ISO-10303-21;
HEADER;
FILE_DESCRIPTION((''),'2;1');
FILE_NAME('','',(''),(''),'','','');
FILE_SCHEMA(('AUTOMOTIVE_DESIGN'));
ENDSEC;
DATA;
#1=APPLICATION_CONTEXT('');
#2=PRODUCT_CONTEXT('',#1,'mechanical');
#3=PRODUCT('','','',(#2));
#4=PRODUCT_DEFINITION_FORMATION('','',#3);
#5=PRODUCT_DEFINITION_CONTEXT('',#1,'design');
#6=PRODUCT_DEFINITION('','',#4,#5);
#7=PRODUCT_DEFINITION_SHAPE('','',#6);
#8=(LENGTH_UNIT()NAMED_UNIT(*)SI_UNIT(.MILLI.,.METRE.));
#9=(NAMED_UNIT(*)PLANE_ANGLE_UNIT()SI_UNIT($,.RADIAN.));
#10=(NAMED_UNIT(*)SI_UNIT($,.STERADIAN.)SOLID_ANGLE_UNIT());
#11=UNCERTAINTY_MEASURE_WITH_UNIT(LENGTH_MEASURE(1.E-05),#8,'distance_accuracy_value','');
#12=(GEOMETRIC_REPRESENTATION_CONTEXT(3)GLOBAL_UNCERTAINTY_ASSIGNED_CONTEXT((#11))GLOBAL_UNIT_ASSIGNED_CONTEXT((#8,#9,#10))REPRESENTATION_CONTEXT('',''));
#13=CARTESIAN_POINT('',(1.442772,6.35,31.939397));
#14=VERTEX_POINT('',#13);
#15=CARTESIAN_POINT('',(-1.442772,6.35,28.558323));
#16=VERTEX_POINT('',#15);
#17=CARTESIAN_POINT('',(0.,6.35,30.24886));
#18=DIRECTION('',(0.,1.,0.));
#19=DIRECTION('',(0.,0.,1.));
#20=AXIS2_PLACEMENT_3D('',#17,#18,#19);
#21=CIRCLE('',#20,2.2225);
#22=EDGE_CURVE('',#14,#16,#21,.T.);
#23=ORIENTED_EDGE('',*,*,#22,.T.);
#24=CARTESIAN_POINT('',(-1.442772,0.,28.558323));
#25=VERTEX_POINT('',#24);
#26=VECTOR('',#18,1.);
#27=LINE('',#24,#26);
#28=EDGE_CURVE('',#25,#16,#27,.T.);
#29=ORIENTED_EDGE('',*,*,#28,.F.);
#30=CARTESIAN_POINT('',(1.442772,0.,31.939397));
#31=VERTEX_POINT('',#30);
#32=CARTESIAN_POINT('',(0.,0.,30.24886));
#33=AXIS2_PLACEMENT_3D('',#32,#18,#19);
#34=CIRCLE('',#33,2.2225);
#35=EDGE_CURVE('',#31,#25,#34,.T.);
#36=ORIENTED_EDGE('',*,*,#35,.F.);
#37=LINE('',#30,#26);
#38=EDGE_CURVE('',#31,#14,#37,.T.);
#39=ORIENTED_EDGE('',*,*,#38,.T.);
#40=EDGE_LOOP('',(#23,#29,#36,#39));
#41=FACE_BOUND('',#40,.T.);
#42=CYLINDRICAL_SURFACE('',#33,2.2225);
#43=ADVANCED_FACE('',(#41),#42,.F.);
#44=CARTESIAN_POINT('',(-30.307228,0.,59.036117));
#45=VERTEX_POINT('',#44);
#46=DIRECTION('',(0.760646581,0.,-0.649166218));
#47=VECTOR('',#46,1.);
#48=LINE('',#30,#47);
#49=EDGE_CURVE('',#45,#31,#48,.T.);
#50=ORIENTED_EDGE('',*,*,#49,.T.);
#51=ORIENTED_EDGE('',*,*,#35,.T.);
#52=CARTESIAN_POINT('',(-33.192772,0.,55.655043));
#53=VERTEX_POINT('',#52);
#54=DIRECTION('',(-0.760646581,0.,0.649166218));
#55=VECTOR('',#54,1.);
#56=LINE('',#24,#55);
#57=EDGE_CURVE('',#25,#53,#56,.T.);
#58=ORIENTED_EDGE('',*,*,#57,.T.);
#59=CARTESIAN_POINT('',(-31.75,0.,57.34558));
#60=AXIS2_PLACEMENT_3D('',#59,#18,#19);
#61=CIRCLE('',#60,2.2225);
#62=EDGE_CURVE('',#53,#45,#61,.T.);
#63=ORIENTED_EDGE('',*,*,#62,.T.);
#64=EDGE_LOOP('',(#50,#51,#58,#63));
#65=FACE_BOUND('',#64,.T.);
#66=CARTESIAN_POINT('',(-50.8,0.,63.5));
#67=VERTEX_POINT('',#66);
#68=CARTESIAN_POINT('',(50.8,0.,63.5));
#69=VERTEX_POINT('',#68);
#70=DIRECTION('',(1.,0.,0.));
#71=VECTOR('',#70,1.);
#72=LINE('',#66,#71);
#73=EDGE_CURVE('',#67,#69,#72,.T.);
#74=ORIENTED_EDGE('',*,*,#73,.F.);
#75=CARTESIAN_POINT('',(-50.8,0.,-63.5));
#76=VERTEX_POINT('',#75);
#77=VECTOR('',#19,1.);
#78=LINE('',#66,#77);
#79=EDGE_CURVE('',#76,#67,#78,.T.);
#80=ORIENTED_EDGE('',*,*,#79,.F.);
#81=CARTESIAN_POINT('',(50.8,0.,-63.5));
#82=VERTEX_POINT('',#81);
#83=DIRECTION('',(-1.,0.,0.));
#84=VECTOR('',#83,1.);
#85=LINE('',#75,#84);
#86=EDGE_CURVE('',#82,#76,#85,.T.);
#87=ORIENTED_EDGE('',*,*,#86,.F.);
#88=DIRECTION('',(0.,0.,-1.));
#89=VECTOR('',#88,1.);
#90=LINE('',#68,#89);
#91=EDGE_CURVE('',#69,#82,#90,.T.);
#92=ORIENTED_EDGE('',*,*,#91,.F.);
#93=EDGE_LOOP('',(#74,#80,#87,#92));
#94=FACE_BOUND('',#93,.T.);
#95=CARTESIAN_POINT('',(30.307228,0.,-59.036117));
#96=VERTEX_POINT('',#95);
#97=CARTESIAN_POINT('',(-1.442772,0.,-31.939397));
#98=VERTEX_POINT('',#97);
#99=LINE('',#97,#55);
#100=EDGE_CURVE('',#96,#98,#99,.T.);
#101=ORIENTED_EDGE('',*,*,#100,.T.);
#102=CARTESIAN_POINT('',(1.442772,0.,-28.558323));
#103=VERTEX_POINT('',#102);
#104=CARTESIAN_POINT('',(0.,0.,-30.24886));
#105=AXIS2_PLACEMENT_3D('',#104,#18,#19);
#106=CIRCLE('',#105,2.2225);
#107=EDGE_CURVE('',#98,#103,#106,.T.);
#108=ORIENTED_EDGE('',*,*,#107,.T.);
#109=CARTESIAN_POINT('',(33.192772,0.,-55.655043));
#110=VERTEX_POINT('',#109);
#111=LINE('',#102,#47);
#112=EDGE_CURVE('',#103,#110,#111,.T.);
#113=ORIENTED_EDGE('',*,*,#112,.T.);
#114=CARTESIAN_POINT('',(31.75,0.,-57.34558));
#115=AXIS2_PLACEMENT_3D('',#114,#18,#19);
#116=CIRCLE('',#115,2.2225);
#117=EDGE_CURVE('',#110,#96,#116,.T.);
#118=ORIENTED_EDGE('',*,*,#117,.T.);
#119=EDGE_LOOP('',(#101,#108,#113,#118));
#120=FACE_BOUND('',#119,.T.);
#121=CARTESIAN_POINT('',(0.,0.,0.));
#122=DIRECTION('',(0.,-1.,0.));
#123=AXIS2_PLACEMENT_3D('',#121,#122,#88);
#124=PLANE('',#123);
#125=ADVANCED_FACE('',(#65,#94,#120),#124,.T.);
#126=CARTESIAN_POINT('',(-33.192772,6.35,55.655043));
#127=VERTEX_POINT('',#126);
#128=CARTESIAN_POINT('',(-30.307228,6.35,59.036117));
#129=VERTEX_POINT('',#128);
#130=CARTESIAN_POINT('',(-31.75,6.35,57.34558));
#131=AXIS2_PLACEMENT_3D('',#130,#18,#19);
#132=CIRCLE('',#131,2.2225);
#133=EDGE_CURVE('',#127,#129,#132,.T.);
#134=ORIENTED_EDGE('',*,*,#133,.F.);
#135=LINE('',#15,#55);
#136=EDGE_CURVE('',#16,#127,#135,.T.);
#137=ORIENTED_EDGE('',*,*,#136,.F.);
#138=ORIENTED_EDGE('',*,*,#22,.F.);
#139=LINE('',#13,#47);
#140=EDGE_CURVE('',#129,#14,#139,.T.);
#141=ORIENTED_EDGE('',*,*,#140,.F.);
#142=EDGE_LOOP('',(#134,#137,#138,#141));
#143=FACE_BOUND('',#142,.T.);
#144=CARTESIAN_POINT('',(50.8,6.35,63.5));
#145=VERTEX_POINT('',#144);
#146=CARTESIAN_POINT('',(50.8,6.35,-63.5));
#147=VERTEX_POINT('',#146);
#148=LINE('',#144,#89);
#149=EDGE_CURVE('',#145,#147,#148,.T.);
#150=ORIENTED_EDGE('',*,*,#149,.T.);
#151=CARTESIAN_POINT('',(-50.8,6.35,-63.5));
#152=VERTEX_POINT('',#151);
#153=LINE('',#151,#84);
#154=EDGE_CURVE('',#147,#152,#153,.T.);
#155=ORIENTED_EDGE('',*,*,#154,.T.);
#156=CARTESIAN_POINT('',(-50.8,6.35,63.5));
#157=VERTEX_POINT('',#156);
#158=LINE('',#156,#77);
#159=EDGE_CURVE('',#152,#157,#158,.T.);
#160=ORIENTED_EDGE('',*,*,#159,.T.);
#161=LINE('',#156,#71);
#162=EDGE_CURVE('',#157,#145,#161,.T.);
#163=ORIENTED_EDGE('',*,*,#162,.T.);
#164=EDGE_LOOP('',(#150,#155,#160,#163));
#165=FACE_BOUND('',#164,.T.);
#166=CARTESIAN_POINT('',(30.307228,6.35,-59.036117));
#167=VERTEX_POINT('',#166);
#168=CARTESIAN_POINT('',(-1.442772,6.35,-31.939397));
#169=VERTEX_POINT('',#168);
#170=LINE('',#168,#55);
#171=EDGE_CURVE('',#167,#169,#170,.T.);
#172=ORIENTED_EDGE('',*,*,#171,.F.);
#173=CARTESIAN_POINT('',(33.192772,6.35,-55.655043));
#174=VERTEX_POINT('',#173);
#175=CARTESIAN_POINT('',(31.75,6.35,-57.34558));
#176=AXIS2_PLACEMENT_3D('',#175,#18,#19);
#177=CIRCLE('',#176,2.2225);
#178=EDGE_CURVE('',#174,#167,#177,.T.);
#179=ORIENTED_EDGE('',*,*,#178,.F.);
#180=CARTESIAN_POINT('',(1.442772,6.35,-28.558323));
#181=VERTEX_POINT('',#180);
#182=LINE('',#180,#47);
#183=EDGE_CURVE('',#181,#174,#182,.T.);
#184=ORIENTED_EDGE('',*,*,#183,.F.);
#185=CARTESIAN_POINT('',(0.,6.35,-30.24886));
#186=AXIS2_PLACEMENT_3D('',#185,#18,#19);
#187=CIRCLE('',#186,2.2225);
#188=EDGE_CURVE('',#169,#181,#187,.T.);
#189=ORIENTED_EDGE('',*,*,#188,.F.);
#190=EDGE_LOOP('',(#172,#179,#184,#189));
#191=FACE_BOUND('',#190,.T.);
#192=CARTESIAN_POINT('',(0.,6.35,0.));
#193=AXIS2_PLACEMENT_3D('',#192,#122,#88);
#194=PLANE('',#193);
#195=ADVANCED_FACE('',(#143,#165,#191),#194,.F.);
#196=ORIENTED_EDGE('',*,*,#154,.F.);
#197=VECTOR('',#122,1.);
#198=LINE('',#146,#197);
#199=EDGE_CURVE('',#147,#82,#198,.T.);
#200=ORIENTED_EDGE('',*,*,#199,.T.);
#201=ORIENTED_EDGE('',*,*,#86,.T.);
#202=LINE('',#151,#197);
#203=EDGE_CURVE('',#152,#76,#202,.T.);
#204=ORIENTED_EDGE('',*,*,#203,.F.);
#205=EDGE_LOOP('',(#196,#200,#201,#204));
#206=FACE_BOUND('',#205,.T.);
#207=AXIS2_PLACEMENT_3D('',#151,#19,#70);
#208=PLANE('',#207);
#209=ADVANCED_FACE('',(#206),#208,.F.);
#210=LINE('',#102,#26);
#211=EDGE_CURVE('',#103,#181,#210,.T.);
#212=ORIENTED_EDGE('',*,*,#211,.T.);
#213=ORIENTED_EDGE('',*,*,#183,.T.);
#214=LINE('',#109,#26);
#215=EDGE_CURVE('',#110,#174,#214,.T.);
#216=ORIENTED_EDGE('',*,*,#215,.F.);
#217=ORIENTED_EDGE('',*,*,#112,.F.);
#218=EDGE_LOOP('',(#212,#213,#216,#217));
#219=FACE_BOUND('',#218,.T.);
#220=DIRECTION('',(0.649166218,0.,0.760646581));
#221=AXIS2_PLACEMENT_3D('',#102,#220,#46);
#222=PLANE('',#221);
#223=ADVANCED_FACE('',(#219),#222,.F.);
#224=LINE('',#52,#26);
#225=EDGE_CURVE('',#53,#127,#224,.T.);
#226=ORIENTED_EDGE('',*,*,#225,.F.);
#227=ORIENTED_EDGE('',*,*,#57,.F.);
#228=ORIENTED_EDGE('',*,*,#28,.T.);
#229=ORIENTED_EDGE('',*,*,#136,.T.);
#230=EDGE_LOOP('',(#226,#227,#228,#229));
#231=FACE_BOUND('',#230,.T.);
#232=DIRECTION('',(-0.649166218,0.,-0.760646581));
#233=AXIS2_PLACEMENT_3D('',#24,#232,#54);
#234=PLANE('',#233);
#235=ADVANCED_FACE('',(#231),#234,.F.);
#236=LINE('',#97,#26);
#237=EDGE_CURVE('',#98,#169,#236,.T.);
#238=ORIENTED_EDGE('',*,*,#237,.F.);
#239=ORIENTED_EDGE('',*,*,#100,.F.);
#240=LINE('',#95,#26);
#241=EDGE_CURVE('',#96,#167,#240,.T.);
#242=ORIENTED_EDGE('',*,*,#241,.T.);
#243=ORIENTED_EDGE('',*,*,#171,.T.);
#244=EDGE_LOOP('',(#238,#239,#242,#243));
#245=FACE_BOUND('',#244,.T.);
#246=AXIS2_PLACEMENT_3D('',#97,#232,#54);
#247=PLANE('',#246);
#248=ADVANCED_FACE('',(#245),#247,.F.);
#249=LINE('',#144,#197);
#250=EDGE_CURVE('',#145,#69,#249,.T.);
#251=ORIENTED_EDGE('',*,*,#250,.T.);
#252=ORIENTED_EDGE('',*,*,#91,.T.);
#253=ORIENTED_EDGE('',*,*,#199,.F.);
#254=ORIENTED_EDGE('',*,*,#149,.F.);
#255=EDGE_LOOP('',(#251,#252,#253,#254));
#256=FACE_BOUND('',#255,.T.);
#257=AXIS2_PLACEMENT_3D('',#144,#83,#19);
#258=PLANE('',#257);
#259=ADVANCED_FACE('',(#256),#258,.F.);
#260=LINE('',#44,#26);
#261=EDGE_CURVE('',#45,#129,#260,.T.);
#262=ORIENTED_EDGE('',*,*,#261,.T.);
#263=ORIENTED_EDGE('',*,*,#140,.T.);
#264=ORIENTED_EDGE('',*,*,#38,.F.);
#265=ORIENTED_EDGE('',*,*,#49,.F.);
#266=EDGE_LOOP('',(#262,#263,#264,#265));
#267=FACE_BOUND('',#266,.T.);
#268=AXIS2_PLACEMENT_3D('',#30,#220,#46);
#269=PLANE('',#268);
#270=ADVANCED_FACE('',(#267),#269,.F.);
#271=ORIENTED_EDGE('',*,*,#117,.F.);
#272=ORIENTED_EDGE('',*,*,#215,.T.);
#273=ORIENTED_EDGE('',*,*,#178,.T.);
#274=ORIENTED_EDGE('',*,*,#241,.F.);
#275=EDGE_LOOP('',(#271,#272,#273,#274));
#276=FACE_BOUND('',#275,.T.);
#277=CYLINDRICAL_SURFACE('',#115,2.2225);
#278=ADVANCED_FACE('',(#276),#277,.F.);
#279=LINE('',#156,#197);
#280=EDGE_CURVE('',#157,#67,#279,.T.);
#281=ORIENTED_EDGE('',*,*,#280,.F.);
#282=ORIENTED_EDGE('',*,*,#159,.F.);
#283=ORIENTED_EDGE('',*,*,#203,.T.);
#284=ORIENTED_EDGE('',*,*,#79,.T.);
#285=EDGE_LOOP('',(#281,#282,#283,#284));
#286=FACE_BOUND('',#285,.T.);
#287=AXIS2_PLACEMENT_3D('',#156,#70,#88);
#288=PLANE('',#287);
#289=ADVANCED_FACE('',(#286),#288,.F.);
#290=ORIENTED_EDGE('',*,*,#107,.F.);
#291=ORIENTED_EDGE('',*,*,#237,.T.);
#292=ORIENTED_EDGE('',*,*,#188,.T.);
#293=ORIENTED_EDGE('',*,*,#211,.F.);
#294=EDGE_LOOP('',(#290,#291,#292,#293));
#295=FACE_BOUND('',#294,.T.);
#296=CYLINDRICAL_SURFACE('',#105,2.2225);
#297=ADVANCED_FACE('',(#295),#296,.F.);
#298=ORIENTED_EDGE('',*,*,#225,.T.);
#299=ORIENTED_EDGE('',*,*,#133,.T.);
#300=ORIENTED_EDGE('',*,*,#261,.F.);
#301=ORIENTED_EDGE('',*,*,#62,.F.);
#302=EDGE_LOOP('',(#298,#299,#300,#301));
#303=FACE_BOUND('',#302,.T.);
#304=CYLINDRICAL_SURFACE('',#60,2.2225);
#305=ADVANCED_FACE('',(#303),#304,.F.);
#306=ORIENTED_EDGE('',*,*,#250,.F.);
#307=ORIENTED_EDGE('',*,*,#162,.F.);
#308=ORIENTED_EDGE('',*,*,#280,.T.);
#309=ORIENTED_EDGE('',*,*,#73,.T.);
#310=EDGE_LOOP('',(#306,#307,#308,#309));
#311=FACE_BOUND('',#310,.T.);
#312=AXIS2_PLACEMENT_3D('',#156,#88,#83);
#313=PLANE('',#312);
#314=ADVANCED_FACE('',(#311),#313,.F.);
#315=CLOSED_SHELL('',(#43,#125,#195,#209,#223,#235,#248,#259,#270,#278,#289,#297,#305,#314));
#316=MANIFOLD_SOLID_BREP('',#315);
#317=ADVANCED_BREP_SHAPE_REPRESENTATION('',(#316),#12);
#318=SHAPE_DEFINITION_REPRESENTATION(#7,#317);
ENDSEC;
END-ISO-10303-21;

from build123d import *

# Parameters (mm, degrees)
SKETCH1_W           = 101.6
SKETCH1_H           = 127
BOSS_EXTRUDE1_DEPTH = 6.35
CUT_EXTRUDE1_DEPTH  = 82.567226875


with BuildPart() as part:
    # Sketch1 → Boss-Extrude1 (new body)
    with BuildSketch(Plane(origin=(0, 0, 0), x_dir=(1, 0, 0), z_dir=(0, 1, 0))):
        Rectangle(SKETCH1_W, SKETCH1_H)
    extrude(amount=BOSS_EXTRUDE1_DEPTH)

    # Sketch2 → Cut-Extrude1 (cut, through all)
    with BuildSketch(Plane(origin=(0, 6.35, 0), x_dir=(1, 0, 0), z_dir=(0, 1, 0))):
        with BuildLine():
            Line((-1.44277192, 31.939397026), (30.30722808, 59.036117026))
            ThreePointArc((30.30722808, 59.036117026), (33.440537026, 58.78835192), (33.19277192, 55.655042974))
            Line((33.19277192, 55.655042974), (1.44277192, 28.558322974))
            ThreePointArc((1.44277192, 28.558322974), (-1.690537026, 28.80608808), (-1.44277192, 31.939397026))
        make_face()
        with BuildLine():
            Line((1.44277192, -31.939397026), (-30.30722808, -59.036117026))
            ThreePointArc((-30.30722808, -59.036117026), (-33.440537026, -58.78835192), (-33.19277192, -55.655042974))
            Line((-33.19277192, -55.655042974), (-1.44277192, -28.558322974))
            ThreePointArc((-1.44277192, -28.558322974), (1.690537026, -28.80608808), (1.44277192, -31.939397026))
        make_face()
    extrude(amount=-CUT_EXTRUDE1_DEPTH, mode=Mode.SUBTRACT)


solid = part.part
